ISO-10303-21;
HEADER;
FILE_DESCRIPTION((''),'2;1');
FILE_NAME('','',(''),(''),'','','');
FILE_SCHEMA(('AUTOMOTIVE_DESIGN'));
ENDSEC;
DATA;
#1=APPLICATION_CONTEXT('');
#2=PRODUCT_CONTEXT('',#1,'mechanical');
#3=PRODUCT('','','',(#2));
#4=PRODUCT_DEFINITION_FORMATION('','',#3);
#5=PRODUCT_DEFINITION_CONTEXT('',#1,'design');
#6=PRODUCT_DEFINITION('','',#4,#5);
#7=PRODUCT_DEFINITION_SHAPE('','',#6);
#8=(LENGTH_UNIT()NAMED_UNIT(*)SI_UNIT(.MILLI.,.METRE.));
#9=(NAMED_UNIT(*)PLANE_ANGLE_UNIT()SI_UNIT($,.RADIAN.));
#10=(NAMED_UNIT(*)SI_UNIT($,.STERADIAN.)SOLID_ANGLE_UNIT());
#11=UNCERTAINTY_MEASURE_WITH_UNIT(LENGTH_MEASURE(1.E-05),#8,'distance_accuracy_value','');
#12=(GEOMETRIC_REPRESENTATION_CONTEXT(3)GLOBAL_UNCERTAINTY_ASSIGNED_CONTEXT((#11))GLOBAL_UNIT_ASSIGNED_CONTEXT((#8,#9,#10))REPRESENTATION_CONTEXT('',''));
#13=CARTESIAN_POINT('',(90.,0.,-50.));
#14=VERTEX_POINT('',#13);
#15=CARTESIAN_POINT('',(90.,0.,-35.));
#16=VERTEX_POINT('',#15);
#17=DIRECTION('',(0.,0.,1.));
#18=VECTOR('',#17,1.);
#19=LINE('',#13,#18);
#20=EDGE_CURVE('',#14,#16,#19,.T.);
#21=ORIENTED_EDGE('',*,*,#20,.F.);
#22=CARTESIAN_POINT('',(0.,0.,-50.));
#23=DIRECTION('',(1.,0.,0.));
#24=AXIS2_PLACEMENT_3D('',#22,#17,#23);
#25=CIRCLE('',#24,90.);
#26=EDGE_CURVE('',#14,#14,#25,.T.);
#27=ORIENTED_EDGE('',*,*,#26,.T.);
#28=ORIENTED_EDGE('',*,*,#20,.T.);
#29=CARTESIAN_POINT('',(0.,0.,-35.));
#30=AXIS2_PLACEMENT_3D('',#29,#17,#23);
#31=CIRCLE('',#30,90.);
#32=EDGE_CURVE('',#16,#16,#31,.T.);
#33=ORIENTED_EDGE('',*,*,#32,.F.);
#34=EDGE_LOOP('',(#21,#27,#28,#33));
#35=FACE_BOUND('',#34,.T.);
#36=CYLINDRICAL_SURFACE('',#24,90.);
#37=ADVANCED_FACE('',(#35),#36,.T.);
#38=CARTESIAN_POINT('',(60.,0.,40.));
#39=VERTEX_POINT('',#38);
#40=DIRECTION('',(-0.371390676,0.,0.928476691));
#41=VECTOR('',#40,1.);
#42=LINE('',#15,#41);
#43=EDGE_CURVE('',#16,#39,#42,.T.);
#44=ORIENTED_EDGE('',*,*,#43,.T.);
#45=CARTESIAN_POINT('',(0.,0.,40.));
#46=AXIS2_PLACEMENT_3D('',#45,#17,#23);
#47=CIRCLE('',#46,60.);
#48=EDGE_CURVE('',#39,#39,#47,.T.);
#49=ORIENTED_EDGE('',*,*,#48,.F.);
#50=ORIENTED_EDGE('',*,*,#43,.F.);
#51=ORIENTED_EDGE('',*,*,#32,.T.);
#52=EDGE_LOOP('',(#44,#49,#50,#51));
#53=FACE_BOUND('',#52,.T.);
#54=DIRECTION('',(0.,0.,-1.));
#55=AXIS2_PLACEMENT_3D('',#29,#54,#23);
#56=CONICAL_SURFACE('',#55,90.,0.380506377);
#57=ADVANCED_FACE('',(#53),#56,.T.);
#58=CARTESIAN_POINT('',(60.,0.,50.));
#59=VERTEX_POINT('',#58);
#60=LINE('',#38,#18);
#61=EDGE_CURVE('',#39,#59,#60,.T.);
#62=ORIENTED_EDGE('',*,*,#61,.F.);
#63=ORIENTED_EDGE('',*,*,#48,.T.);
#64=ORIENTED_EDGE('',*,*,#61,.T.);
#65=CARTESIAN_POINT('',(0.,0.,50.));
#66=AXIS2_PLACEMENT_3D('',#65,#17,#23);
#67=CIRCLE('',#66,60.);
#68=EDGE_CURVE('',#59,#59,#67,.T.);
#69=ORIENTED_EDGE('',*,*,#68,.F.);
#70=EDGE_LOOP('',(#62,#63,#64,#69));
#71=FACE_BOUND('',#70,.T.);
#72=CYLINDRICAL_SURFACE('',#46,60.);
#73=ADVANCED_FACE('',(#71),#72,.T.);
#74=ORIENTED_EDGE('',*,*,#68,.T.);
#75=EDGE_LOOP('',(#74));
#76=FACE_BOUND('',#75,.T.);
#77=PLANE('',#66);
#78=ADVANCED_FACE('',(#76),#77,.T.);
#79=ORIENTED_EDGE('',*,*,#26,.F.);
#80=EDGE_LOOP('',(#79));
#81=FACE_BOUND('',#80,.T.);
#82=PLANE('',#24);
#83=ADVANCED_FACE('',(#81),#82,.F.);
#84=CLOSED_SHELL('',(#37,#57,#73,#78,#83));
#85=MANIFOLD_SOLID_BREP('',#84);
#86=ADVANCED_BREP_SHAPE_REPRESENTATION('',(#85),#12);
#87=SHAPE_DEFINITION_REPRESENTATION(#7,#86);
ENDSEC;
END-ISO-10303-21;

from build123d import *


with BuildPart() as part:
    # Sketch → Revolution (revolve)
    with BuildSketch(Plane.XZ):
        Polygon((0, 50), (0, -50), (90, -50), (90, -35), (60, 40), (60, 50), align=None)
    revolve(axis=Axis((0, 0, 0), (0, 0, 1)))


solid = part.part
